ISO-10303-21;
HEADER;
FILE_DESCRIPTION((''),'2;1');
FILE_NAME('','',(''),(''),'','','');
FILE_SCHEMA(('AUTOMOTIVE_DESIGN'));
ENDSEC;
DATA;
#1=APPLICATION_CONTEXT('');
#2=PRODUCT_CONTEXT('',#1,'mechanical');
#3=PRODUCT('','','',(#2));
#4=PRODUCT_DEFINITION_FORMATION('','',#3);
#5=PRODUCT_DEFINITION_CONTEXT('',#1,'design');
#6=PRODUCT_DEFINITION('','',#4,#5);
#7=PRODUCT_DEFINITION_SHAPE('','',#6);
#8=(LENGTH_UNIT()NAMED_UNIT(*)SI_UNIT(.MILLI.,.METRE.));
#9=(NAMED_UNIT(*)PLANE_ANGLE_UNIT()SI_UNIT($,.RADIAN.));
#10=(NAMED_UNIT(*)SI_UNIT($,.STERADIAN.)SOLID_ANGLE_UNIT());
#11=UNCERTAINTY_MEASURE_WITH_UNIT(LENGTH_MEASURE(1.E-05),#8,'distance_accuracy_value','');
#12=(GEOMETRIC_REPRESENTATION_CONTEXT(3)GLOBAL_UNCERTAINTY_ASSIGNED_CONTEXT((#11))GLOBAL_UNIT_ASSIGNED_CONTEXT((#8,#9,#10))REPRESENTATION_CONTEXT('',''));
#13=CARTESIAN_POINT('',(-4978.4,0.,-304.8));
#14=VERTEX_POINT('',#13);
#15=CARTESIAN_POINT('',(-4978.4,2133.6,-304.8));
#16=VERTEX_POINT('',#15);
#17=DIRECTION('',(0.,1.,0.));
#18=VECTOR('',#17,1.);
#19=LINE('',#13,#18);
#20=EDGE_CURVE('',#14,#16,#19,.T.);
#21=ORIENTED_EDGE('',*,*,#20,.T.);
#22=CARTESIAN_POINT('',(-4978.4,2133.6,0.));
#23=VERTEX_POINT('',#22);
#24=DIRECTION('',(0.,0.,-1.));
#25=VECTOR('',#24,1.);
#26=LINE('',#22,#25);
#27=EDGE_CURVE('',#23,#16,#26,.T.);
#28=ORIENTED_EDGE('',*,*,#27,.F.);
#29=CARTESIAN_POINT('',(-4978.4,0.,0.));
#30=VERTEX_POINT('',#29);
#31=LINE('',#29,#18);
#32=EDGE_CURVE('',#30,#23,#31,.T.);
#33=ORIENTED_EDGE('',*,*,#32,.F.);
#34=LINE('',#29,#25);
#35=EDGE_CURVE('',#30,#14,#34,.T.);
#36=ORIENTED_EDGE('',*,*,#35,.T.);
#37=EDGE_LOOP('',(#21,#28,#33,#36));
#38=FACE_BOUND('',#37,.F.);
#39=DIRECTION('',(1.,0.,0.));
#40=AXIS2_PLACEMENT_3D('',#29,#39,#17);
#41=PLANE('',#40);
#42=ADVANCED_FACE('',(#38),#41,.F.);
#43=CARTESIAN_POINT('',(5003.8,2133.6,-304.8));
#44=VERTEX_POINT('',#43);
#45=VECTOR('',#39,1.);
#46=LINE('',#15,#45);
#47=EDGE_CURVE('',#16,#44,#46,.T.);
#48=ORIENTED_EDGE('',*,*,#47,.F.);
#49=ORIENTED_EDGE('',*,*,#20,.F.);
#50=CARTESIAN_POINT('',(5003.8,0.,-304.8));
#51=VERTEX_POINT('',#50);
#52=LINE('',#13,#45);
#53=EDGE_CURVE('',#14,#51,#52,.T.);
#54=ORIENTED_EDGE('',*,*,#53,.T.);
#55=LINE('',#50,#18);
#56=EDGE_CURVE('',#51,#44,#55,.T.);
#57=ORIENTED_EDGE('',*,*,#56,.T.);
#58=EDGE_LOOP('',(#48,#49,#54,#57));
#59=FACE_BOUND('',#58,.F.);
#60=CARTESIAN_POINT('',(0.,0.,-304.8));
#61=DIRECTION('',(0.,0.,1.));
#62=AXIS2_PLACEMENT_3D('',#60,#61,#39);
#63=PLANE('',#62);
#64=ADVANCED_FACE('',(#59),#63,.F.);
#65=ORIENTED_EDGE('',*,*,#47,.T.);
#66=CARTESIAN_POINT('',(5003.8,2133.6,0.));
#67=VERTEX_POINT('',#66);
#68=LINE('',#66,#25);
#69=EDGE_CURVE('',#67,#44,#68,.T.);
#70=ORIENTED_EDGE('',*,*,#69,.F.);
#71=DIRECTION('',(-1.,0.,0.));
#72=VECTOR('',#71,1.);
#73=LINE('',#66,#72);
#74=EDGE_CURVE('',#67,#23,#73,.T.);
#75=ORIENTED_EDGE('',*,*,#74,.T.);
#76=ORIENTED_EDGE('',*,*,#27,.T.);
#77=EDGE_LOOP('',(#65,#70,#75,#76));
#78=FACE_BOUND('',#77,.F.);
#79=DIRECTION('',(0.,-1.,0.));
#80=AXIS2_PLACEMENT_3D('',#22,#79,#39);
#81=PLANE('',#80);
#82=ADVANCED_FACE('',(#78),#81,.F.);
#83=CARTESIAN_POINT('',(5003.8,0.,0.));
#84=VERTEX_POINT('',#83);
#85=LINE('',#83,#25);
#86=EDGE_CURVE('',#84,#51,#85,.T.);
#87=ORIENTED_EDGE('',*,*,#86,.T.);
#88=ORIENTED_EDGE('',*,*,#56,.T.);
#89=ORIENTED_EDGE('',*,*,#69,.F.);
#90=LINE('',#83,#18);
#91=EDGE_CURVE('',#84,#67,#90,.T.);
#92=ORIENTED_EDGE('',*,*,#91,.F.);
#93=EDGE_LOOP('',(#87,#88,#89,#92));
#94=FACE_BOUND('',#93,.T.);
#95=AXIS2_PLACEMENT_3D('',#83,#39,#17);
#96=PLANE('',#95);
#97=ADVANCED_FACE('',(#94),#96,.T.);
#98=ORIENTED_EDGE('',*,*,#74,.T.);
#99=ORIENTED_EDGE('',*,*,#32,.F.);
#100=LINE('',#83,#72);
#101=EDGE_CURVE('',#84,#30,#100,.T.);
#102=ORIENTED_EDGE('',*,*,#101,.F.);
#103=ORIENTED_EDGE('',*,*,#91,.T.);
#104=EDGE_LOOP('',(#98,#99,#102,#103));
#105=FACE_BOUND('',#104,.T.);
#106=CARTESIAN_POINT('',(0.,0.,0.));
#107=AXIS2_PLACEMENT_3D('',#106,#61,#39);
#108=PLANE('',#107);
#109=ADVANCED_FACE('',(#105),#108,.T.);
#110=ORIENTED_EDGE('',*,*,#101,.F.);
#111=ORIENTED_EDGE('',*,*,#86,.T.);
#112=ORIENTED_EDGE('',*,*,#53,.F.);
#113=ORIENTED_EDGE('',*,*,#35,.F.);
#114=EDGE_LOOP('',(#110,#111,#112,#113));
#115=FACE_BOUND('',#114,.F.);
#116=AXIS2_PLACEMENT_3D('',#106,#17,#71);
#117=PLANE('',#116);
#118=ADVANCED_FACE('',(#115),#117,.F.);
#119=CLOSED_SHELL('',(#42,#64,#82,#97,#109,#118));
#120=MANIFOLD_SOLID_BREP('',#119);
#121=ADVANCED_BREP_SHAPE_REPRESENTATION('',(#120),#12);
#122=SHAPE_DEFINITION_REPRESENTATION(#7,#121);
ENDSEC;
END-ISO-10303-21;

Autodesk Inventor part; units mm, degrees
ref_plane "YZ Plane" through (0, 0, 0) normal (1, 0, 0) x (0, 1, 0)
ref_plane "XZ Plane" through (0, 0, 0) normal (0, 1, 0) x (-1, 0, 0)
ref_plane "XY Plane" through (0, 0, 0) normal (0, 0, 1) x (1, 0, 0)
sketch "Sketch1" plane through (0, 0, 0) normal (0, 0, 1) x (1, 0, 0)
  line L0 (0, 0) -> (-4978.4, 0)
  line L1 (-4978.4, 0) -> (-4978.4, 2133.6)
  line L2 (-4978.4, 2133.6) -> (0, 2133.6)
  line L3 (0, 2133.6) -> (0, 0)
  line L4 (0, 0) -> (5003.8, 0)
  line L5 (5003.8, 0) -> (5003.8, 2133.6)
  line L6 (5003.8, 2133.6) -> (0, 2133.6)
  line L7 (0, 2133.6) -> (0, 0)
  dimension "d0" = 4978.4
  dimension "d1" = 2133.6
  dimension "d2" = 5003.8
  dimension "d3" = 2133.6
extrude "Extrusion1" add sketch "Sketch1" against normal blind 304.8
properties part number "frontOfHouseUnder Deck"
